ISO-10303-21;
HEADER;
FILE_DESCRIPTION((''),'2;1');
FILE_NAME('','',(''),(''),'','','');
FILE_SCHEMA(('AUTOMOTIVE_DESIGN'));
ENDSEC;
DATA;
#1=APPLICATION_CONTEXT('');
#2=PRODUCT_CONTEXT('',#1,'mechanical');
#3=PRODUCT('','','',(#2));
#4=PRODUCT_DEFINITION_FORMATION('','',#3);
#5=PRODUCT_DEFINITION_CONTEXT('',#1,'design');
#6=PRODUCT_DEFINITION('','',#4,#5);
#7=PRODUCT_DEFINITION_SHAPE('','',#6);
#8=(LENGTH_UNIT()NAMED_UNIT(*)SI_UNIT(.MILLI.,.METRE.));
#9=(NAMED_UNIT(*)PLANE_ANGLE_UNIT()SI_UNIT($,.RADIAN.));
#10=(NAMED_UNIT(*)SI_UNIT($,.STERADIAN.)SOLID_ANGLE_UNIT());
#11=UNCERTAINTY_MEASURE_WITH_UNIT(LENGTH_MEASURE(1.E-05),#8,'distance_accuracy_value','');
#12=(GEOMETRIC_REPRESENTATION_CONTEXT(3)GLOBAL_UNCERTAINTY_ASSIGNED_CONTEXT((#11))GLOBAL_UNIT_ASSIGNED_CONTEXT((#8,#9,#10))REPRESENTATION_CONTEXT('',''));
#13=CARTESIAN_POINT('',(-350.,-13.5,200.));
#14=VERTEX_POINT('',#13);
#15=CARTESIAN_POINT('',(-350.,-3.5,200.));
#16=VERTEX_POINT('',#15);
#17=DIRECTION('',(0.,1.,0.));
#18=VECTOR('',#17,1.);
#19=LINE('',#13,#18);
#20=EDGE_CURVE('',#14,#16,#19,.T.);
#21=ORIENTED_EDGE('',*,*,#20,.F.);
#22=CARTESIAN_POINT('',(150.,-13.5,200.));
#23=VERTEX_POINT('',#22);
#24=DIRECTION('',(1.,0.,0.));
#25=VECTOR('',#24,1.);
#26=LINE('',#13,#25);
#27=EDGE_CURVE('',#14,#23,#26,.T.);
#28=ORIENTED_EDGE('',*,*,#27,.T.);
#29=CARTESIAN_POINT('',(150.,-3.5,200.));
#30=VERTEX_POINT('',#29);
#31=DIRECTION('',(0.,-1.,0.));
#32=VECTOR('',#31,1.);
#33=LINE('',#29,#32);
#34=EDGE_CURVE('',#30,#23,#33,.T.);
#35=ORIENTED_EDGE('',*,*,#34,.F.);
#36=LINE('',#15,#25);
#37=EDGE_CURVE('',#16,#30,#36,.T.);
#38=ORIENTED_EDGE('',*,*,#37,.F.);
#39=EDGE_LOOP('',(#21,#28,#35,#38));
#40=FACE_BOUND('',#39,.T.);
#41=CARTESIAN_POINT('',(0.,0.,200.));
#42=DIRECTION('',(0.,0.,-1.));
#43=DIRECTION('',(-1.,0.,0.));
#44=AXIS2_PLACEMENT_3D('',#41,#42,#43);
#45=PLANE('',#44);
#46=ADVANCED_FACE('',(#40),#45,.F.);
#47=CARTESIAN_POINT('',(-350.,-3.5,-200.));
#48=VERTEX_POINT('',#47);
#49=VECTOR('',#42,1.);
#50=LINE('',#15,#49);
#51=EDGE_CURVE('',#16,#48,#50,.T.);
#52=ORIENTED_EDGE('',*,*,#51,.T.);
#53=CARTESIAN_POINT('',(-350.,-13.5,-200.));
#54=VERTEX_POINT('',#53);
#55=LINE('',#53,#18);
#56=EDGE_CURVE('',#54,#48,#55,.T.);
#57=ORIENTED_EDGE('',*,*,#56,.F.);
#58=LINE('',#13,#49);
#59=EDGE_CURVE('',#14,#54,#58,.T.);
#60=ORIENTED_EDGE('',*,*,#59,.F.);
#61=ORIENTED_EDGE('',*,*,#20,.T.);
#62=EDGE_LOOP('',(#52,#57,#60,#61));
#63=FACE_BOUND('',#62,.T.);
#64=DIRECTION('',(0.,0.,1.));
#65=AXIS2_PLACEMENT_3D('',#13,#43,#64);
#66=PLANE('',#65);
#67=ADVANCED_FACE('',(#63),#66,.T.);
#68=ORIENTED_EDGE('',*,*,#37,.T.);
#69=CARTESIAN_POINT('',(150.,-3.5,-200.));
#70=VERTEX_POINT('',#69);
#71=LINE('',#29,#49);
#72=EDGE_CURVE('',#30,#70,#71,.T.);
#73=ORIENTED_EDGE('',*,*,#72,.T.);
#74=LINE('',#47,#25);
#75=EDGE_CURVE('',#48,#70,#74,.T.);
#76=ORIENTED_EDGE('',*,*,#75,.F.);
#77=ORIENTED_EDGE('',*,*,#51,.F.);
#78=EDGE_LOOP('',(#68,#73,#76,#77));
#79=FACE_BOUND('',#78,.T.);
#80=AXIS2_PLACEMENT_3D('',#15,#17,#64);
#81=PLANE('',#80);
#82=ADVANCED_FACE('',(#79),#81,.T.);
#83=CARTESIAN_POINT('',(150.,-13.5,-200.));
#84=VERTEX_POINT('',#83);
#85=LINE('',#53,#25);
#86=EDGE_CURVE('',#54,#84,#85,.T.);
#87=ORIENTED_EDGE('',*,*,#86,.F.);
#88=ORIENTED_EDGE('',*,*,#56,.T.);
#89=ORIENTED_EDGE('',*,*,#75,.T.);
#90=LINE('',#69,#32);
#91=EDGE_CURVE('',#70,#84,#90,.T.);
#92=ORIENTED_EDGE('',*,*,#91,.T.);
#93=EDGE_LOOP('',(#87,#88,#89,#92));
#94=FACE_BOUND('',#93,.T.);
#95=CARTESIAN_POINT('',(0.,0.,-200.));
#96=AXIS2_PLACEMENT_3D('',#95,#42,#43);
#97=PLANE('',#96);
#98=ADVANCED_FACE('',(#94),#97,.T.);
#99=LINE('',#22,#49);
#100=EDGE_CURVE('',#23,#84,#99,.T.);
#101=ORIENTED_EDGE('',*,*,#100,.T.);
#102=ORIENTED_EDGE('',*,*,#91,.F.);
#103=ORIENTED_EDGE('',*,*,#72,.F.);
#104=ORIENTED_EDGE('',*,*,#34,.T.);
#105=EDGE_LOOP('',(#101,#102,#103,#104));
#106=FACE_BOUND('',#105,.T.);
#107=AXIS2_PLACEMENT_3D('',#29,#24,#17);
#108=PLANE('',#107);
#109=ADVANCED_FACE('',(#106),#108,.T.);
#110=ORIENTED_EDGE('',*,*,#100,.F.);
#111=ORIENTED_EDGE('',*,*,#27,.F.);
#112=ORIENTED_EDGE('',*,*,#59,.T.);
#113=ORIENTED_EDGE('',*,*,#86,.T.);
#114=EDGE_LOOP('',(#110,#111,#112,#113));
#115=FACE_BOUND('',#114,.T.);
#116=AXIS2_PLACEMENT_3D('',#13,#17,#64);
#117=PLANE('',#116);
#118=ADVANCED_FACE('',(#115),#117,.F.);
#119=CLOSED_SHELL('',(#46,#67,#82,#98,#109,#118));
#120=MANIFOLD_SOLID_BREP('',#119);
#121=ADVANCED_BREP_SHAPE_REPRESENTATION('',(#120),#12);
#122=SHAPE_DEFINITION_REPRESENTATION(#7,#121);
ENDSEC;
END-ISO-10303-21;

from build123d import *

# Parameters (mm, degrees)
SKETCH_1_W      = 500
SKETCH_1_H      = 10
EXTRUDE_1_DEPTH = 200


with BuildPart() as part:
    # 草图1 → 拉伸-薄壁1 (new, symmetric)
    with BuildSketch(Plane.XY):
        with Locations((-100, -8.5)):
            Rectangle(SKETCH_1_W, SKETCH_1_H)
    extrude(amount=EXTRUDE_1_DEPTH, both=True)


solid = part.part
